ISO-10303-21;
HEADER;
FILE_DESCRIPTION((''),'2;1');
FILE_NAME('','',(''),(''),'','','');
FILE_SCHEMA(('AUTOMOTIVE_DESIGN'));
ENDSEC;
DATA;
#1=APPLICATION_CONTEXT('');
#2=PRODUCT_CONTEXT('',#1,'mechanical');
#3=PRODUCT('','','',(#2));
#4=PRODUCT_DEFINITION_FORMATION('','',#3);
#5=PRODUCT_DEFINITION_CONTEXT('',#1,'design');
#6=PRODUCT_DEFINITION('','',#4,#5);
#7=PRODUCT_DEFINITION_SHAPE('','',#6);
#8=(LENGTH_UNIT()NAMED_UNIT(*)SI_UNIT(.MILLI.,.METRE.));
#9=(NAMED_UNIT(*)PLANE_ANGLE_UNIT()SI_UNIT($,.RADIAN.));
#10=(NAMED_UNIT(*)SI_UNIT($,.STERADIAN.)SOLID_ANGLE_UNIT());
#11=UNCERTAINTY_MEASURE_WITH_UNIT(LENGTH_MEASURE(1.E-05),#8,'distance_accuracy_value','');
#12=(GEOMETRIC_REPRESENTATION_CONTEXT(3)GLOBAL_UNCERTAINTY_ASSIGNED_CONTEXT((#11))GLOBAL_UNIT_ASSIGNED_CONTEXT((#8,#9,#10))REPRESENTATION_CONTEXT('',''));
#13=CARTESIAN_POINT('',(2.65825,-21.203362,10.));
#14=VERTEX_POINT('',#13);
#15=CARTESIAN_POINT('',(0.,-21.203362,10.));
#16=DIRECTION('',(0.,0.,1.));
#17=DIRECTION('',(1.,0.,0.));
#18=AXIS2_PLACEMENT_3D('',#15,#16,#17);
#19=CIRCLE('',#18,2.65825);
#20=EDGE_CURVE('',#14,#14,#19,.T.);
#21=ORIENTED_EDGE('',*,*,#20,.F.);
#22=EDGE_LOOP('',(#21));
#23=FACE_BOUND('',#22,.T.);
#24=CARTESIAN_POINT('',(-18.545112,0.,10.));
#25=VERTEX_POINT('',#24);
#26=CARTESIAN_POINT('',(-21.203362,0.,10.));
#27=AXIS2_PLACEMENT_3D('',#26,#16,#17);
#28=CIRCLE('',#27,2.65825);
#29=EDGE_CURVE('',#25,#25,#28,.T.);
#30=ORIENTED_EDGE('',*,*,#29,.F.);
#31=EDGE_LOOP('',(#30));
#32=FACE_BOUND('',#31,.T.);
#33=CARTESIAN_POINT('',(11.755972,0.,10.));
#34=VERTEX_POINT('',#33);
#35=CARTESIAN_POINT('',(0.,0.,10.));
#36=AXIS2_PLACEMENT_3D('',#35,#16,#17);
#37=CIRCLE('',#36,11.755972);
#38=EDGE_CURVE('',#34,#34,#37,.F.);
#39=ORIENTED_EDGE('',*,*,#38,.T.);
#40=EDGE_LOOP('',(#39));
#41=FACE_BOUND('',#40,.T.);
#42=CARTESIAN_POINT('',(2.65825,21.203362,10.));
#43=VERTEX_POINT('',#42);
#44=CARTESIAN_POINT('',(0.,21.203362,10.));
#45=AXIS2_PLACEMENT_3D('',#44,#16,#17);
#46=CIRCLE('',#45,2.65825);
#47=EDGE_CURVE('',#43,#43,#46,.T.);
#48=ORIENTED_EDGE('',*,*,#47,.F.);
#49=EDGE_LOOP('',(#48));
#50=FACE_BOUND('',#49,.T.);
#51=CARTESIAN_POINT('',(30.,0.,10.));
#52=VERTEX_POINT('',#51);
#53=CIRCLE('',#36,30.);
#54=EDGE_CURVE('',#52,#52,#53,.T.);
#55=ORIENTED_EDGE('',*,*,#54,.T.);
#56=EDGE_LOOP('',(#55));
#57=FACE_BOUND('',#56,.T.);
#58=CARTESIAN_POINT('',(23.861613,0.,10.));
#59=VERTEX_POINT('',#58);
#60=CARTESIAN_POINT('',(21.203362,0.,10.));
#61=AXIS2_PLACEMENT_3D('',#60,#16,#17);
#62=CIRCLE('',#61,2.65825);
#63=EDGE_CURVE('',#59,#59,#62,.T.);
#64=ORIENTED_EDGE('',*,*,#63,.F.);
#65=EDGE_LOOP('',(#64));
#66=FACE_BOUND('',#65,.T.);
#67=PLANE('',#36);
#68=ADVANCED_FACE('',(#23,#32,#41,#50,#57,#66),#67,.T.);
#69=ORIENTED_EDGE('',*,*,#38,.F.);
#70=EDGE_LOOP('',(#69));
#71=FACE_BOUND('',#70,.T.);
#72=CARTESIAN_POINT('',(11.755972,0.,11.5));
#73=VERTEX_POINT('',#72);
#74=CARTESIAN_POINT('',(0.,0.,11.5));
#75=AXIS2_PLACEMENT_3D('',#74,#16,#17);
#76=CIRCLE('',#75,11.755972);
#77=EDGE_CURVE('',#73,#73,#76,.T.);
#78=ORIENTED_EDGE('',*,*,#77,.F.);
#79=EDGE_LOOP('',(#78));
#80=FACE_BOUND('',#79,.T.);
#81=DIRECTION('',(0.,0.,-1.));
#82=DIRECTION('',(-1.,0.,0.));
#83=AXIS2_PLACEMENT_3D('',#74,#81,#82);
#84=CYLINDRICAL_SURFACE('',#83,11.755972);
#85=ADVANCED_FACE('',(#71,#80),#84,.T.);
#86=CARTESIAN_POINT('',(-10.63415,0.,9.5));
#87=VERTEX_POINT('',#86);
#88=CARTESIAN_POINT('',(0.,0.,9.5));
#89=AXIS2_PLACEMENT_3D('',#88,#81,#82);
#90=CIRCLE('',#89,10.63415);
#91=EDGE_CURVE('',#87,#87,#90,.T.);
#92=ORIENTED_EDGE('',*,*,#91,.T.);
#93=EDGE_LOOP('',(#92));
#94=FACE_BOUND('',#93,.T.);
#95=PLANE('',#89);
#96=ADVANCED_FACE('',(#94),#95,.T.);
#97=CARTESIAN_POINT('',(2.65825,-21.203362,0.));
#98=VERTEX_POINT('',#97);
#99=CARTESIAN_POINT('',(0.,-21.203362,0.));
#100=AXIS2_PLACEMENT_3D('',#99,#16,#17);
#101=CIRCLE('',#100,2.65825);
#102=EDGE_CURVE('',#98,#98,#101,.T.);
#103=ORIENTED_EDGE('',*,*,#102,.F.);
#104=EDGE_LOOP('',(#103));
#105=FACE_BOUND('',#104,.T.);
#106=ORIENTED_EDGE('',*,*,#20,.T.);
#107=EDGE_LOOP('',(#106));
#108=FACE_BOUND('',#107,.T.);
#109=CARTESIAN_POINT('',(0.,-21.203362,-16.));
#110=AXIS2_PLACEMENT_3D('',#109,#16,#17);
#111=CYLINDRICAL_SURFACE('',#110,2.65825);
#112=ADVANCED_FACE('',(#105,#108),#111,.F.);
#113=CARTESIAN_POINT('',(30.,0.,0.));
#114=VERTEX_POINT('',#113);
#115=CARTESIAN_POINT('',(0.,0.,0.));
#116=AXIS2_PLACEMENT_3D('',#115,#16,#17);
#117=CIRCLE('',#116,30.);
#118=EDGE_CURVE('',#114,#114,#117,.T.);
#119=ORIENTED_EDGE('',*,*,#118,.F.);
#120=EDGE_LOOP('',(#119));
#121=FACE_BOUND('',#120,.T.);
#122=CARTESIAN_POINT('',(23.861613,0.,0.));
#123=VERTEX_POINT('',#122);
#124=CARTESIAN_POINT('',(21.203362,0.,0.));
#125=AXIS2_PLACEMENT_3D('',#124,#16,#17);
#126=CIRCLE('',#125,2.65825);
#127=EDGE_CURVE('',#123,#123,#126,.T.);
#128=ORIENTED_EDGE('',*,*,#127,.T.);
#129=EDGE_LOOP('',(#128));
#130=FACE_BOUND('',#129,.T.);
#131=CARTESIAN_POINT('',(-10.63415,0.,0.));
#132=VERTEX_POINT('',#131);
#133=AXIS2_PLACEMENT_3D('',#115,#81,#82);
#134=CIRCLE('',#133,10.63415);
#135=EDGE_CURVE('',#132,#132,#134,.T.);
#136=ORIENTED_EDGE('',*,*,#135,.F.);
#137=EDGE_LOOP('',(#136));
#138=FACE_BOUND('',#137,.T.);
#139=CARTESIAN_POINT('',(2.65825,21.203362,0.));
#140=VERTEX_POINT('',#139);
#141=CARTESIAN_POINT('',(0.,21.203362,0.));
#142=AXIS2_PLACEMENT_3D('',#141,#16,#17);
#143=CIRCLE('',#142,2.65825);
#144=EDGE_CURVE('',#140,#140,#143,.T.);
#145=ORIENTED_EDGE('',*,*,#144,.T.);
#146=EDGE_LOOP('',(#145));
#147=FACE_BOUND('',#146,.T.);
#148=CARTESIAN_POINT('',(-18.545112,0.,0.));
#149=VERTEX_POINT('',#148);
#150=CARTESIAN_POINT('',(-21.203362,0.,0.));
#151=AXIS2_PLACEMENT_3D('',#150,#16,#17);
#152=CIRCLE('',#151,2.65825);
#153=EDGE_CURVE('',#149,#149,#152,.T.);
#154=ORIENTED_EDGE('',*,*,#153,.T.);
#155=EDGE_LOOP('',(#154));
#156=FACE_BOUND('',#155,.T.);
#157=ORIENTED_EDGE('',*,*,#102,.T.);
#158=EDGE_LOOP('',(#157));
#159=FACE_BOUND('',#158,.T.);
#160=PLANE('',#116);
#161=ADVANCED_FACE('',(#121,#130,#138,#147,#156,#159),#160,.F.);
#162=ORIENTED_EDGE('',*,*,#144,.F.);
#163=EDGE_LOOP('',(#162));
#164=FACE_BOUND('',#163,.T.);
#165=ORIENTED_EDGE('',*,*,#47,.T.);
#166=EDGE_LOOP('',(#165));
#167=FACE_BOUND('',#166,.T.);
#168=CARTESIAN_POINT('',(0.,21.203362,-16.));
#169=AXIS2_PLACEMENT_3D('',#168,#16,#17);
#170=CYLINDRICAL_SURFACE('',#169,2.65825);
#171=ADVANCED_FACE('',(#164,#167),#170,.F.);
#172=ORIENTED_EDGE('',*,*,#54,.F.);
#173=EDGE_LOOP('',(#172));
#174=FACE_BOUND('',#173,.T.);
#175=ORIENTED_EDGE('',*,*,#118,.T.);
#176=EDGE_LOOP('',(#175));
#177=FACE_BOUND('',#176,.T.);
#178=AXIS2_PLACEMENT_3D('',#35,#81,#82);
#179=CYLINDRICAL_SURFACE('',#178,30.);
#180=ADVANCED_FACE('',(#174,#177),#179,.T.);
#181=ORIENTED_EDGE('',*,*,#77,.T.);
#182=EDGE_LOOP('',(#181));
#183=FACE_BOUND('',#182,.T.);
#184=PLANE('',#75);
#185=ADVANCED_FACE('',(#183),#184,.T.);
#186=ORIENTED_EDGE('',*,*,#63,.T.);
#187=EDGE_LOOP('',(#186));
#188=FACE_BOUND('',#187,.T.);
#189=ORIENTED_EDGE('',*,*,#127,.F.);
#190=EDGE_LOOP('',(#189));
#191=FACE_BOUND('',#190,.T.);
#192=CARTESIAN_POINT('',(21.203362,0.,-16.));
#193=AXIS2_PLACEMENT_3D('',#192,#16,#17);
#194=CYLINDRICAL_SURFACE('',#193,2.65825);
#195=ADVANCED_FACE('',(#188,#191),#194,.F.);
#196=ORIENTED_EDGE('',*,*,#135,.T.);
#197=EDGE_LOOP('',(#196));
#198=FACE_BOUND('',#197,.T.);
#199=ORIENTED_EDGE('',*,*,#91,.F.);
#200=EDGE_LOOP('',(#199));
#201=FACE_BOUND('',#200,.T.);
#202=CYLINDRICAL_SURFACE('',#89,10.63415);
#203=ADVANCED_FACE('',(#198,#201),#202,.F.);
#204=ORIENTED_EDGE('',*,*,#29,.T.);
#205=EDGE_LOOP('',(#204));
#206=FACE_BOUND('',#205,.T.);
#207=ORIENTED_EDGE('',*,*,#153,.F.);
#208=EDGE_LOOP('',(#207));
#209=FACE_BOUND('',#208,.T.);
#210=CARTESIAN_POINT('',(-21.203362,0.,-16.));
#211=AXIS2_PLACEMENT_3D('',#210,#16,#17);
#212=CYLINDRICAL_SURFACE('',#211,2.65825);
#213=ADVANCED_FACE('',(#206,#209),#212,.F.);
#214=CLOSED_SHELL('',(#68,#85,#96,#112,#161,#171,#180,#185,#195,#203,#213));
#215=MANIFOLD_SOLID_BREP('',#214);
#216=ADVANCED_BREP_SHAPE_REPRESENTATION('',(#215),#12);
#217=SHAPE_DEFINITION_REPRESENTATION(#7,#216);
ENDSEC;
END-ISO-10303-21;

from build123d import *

# Parameters (mm, degrees)
SKETCH1_R           = 30
BOSS_EXTRUDE1_DEPTH = 10
SKETCH2_R           = 11.755971956
BOSS_EXTRUDE3_DEPTH = 1.5
SKETCH5_R           = 2.658250205
CUT_EXTRUDE4_DEPTH  = 26
SKETCH6_R           = 10.634150048
CUT_EXTRUDE5_DEPTH  = 9.5


with BuildPart() as part:
    # Sketch1 → Boss-Extrude1 (new body)
    with BuildSketch(Plane.XY):
        Circle(SKETCH1_R)
    extrude(amount=BOSS_EXTRUDE1_DEPTH)

    # Sketch2 → Boss-Extrude3 (add, symmetric)
    with BuildSketch(Plane.XY.offset(10)):
        Circle(SKETCH2_R)
    extrude(amount=BOSS_EXTRUDE3_DEPTH, both=True)

    # Sketch5 → Cut-Extrude4 (cut)
    with BuildSketch(Plane.XY.offset(10)):
        with Locations((0, -21.20336232)):
            Circle(SKETCH5_R)
        with Locations((-21.20336232, 0)):
            Circle(SKETCH5_R)
        with Locations((0, 21.20336232)):
            Circle(SKETCH5_R)
        with Locations((21.20336232, 0)):
            Circle(SKETCH5_R)
    extrude(amount=-CUT_EXTRUDE4_DEPTH, mode=Mode.SUBTRACT)

    # Sketch6 → Cut-Extrude5 (cut)
    with BuildSketch(Plane(origin=(0, 0, 0), x_dir=(-1, 0, 0), z_dir=(0, 0, -1))):
        Circle(SKETCH6_R)
    extrude(amount=-CUT_EXTRUDE5_DEPTH, mode=Mode.SUBTRACT)


solid = part.part
